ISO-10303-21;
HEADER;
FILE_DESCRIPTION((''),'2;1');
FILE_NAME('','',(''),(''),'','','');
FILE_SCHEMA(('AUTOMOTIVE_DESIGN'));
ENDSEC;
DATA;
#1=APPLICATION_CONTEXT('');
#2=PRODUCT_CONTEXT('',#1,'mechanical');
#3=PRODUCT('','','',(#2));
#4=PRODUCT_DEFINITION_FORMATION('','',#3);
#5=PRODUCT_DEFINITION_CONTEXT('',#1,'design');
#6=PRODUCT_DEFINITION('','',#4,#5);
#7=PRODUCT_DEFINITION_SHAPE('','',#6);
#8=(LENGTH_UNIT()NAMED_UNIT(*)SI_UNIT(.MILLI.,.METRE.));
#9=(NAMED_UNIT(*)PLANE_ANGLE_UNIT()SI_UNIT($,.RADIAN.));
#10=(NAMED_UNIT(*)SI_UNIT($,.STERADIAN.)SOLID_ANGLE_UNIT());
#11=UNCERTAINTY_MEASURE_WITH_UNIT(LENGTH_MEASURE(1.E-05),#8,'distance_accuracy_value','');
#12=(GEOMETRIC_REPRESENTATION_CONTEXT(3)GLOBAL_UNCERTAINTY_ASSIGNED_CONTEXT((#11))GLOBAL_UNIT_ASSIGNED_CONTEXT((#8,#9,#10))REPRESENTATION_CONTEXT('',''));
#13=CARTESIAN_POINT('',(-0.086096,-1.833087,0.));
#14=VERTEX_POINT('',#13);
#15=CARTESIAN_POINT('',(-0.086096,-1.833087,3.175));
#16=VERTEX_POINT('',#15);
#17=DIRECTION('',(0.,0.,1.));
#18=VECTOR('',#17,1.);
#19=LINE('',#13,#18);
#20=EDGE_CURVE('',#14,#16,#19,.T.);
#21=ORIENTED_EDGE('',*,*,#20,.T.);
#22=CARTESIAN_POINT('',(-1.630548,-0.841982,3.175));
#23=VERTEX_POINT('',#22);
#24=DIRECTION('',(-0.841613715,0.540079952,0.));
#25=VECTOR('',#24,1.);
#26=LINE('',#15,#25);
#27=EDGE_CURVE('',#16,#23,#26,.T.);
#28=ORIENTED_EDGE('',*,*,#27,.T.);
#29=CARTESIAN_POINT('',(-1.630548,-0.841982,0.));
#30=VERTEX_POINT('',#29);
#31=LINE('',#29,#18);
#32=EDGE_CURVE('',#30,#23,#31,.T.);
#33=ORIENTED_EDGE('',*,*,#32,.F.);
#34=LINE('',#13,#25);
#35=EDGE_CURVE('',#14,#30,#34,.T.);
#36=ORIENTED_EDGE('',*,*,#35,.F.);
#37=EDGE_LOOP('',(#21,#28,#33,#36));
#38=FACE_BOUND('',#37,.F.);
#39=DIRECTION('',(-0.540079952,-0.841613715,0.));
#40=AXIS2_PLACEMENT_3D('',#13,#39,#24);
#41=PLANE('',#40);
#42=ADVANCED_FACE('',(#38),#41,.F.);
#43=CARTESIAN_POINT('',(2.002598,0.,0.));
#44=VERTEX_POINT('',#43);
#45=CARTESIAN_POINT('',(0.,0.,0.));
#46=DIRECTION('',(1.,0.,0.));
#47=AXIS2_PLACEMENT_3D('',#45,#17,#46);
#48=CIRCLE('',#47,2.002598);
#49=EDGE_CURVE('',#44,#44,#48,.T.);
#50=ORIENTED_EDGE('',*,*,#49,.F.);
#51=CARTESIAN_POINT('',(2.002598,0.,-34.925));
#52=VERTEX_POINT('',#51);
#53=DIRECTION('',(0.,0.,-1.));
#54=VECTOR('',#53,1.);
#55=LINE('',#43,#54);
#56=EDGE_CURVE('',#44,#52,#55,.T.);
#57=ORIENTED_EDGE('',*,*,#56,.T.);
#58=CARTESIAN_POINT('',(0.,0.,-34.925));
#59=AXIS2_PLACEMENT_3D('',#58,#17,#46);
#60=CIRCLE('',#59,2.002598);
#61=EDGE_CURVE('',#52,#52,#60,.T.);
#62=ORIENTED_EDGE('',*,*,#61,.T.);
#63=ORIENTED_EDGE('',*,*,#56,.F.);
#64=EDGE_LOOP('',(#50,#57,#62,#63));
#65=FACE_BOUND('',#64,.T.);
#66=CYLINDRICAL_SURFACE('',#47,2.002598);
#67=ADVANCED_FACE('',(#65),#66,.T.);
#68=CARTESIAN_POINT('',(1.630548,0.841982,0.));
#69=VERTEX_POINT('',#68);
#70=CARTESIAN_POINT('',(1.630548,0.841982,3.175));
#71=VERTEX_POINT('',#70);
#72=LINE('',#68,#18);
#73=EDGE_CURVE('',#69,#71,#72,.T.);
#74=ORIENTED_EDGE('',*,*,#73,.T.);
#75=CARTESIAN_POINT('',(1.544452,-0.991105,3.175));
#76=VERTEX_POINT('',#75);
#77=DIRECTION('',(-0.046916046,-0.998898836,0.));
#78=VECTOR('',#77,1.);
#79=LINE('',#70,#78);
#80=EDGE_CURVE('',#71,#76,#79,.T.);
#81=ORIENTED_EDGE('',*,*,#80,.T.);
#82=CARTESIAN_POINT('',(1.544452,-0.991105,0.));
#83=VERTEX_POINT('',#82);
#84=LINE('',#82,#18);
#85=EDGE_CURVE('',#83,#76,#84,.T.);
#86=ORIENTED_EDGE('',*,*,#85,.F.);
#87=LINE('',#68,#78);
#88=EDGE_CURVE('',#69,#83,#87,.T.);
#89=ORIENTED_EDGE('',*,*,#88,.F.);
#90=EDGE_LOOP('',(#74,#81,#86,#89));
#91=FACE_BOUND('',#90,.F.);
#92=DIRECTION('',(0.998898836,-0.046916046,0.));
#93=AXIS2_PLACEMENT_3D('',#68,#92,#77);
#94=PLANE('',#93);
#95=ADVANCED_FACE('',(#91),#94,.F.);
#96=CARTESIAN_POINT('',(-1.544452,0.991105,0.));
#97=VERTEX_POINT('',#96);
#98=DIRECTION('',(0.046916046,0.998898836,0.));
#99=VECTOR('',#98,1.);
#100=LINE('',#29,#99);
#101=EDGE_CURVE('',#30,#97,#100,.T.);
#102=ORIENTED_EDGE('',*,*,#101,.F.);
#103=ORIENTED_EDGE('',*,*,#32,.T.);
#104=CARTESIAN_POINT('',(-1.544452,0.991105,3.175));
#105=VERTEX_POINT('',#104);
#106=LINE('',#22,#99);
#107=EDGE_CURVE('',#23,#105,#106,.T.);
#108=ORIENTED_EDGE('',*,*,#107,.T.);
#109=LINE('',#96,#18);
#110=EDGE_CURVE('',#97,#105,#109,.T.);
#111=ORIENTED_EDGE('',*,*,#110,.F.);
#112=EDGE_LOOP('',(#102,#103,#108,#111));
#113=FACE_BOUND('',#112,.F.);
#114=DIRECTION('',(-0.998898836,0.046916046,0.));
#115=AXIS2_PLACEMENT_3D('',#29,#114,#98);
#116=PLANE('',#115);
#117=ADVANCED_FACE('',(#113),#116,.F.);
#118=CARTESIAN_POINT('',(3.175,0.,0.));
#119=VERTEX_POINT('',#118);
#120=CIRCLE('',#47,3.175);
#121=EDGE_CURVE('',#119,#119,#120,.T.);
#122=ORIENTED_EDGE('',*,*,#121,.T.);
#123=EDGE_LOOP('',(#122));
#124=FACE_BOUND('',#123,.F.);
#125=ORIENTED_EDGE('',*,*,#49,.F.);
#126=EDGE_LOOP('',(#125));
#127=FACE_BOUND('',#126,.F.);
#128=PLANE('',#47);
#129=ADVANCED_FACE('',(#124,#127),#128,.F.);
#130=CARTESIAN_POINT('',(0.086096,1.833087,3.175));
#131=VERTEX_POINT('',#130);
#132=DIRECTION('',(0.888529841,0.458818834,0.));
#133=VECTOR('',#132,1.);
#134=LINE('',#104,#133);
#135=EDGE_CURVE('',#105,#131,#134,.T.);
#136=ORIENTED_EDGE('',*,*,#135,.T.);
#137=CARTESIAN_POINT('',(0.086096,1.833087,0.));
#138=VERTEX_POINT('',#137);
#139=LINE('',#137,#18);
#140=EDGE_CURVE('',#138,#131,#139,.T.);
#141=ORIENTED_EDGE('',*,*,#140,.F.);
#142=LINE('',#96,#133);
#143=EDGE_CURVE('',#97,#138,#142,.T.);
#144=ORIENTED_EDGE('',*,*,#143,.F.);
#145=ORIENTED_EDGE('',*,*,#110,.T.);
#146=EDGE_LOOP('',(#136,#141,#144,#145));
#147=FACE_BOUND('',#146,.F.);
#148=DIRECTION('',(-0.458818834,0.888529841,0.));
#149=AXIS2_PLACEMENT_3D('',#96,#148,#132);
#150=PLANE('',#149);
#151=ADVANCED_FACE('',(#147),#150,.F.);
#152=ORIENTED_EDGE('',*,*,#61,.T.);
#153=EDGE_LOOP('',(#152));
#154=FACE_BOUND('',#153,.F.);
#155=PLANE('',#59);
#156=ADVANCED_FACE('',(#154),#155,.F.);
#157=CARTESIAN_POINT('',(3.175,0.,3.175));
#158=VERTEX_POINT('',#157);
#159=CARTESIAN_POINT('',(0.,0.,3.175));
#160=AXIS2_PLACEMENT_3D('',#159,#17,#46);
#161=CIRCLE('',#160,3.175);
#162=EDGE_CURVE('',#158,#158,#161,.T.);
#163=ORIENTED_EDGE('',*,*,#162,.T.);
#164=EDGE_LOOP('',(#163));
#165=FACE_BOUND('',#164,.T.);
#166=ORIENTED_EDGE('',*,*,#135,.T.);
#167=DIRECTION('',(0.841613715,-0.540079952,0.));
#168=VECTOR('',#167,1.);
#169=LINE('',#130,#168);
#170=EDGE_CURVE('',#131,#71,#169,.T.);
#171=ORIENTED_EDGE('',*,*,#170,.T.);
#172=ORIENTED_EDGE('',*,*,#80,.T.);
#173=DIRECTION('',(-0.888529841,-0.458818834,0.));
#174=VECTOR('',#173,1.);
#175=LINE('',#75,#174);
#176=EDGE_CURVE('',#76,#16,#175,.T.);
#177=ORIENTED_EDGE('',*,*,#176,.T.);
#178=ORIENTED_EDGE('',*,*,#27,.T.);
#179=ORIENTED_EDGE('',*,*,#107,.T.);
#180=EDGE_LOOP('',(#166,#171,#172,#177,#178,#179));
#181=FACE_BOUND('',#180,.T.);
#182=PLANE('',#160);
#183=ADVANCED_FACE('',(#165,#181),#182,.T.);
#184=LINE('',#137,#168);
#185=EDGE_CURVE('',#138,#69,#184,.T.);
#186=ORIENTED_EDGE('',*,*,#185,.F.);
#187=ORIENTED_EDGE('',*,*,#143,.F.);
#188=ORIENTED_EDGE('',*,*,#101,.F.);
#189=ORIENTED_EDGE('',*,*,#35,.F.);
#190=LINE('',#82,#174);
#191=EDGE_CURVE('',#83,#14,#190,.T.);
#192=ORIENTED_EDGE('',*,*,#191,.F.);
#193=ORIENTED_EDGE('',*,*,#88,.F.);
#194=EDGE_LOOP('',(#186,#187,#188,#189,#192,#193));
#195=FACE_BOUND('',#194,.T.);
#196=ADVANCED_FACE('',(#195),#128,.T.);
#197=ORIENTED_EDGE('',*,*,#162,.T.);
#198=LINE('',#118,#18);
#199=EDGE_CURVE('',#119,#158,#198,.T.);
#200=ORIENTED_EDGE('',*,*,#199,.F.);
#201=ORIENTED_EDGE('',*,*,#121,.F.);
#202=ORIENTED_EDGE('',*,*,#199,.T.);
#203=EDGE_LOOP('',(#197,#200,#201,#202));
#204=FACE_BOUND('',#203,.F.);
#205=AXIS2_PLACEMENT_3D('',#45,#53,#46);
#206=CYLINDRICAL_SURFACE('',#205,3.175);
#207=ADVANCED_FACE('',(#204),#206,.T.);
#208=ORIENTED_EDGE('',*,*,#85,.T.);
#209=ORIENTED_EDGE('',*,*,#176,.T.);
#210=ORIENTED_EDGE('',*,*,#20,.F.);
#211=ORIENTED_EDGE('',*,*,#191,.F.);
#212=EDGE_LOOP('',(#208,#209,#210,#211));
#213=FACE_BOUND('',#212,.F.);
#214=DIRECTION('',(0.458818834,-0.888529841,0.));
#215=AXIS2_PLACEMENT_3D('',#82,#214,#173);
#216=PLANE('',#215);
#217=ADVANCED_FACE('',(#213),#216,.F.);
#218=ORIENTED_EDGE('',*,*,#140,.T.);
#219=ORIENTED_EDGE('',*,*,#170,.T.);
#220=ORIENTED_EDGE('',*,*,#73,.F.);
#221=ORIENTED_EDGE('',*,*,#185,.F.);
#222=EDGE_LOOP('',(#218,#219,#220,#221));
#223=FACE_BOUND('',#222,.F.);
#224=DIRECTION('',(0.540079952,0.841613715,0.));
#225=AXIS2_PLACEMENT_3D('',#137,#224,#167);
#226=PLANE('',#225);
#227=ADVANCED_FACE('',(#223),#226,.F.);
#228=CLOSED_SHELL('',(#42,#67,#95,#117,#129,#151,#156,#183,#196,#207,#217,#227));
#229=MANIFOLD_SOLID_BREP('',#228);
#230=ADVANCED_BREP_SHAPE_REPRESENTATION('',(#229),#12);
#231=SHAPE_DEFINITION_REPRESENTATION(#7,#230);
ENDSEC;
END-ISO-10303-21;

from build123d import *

# Parameters (mm, degrees)
F0_R     = 3.175
F1_DEPTH = 3.175
F2_R     = 2.002598
F3_DEPTH = 34.925


with BuildPart() as f1:
    # F0 (on Top) → F1 (new body)
    with BuildSketch(Plane.XY):
        Circle(F0_R)
        Polygon((-1.544452, 0.991105), (0.086096, 1.833087), (1.630548, 0.841982), (1.544452, -0.991105), (-0.086096, -1.833087), (-1.630548, -0.841982), align=None, mode=Mode.SUBTRACT)
    extrude(amount=F1_DEPTH)

    # F2 (on face) + F0 (on Top) → F3 (join)
    with BuildSketch(Plane.XY):
        Circle(F2_R)
        Polygon((0.086096, 1.833087), (1.630548, 0.841982), (1.544452, -0.991105), (-0.086096, -1.833087), (-1.630548, -0.841982), (-1.544452, 0.991105), align=None, mode=Mode.SUBTRACT)
    with BuildSketch(Plane.XY):
        Polygon((1.630548, 0.841982), (0.086096, 1.833087), (-1.544452, 0.991105), (-1.630548, -0.841982), (-0.086096, -1.833087), (1.544452, -0.991105), align=None)
    extrude(amount=-F3_DEPTH)


solid = f1.part
